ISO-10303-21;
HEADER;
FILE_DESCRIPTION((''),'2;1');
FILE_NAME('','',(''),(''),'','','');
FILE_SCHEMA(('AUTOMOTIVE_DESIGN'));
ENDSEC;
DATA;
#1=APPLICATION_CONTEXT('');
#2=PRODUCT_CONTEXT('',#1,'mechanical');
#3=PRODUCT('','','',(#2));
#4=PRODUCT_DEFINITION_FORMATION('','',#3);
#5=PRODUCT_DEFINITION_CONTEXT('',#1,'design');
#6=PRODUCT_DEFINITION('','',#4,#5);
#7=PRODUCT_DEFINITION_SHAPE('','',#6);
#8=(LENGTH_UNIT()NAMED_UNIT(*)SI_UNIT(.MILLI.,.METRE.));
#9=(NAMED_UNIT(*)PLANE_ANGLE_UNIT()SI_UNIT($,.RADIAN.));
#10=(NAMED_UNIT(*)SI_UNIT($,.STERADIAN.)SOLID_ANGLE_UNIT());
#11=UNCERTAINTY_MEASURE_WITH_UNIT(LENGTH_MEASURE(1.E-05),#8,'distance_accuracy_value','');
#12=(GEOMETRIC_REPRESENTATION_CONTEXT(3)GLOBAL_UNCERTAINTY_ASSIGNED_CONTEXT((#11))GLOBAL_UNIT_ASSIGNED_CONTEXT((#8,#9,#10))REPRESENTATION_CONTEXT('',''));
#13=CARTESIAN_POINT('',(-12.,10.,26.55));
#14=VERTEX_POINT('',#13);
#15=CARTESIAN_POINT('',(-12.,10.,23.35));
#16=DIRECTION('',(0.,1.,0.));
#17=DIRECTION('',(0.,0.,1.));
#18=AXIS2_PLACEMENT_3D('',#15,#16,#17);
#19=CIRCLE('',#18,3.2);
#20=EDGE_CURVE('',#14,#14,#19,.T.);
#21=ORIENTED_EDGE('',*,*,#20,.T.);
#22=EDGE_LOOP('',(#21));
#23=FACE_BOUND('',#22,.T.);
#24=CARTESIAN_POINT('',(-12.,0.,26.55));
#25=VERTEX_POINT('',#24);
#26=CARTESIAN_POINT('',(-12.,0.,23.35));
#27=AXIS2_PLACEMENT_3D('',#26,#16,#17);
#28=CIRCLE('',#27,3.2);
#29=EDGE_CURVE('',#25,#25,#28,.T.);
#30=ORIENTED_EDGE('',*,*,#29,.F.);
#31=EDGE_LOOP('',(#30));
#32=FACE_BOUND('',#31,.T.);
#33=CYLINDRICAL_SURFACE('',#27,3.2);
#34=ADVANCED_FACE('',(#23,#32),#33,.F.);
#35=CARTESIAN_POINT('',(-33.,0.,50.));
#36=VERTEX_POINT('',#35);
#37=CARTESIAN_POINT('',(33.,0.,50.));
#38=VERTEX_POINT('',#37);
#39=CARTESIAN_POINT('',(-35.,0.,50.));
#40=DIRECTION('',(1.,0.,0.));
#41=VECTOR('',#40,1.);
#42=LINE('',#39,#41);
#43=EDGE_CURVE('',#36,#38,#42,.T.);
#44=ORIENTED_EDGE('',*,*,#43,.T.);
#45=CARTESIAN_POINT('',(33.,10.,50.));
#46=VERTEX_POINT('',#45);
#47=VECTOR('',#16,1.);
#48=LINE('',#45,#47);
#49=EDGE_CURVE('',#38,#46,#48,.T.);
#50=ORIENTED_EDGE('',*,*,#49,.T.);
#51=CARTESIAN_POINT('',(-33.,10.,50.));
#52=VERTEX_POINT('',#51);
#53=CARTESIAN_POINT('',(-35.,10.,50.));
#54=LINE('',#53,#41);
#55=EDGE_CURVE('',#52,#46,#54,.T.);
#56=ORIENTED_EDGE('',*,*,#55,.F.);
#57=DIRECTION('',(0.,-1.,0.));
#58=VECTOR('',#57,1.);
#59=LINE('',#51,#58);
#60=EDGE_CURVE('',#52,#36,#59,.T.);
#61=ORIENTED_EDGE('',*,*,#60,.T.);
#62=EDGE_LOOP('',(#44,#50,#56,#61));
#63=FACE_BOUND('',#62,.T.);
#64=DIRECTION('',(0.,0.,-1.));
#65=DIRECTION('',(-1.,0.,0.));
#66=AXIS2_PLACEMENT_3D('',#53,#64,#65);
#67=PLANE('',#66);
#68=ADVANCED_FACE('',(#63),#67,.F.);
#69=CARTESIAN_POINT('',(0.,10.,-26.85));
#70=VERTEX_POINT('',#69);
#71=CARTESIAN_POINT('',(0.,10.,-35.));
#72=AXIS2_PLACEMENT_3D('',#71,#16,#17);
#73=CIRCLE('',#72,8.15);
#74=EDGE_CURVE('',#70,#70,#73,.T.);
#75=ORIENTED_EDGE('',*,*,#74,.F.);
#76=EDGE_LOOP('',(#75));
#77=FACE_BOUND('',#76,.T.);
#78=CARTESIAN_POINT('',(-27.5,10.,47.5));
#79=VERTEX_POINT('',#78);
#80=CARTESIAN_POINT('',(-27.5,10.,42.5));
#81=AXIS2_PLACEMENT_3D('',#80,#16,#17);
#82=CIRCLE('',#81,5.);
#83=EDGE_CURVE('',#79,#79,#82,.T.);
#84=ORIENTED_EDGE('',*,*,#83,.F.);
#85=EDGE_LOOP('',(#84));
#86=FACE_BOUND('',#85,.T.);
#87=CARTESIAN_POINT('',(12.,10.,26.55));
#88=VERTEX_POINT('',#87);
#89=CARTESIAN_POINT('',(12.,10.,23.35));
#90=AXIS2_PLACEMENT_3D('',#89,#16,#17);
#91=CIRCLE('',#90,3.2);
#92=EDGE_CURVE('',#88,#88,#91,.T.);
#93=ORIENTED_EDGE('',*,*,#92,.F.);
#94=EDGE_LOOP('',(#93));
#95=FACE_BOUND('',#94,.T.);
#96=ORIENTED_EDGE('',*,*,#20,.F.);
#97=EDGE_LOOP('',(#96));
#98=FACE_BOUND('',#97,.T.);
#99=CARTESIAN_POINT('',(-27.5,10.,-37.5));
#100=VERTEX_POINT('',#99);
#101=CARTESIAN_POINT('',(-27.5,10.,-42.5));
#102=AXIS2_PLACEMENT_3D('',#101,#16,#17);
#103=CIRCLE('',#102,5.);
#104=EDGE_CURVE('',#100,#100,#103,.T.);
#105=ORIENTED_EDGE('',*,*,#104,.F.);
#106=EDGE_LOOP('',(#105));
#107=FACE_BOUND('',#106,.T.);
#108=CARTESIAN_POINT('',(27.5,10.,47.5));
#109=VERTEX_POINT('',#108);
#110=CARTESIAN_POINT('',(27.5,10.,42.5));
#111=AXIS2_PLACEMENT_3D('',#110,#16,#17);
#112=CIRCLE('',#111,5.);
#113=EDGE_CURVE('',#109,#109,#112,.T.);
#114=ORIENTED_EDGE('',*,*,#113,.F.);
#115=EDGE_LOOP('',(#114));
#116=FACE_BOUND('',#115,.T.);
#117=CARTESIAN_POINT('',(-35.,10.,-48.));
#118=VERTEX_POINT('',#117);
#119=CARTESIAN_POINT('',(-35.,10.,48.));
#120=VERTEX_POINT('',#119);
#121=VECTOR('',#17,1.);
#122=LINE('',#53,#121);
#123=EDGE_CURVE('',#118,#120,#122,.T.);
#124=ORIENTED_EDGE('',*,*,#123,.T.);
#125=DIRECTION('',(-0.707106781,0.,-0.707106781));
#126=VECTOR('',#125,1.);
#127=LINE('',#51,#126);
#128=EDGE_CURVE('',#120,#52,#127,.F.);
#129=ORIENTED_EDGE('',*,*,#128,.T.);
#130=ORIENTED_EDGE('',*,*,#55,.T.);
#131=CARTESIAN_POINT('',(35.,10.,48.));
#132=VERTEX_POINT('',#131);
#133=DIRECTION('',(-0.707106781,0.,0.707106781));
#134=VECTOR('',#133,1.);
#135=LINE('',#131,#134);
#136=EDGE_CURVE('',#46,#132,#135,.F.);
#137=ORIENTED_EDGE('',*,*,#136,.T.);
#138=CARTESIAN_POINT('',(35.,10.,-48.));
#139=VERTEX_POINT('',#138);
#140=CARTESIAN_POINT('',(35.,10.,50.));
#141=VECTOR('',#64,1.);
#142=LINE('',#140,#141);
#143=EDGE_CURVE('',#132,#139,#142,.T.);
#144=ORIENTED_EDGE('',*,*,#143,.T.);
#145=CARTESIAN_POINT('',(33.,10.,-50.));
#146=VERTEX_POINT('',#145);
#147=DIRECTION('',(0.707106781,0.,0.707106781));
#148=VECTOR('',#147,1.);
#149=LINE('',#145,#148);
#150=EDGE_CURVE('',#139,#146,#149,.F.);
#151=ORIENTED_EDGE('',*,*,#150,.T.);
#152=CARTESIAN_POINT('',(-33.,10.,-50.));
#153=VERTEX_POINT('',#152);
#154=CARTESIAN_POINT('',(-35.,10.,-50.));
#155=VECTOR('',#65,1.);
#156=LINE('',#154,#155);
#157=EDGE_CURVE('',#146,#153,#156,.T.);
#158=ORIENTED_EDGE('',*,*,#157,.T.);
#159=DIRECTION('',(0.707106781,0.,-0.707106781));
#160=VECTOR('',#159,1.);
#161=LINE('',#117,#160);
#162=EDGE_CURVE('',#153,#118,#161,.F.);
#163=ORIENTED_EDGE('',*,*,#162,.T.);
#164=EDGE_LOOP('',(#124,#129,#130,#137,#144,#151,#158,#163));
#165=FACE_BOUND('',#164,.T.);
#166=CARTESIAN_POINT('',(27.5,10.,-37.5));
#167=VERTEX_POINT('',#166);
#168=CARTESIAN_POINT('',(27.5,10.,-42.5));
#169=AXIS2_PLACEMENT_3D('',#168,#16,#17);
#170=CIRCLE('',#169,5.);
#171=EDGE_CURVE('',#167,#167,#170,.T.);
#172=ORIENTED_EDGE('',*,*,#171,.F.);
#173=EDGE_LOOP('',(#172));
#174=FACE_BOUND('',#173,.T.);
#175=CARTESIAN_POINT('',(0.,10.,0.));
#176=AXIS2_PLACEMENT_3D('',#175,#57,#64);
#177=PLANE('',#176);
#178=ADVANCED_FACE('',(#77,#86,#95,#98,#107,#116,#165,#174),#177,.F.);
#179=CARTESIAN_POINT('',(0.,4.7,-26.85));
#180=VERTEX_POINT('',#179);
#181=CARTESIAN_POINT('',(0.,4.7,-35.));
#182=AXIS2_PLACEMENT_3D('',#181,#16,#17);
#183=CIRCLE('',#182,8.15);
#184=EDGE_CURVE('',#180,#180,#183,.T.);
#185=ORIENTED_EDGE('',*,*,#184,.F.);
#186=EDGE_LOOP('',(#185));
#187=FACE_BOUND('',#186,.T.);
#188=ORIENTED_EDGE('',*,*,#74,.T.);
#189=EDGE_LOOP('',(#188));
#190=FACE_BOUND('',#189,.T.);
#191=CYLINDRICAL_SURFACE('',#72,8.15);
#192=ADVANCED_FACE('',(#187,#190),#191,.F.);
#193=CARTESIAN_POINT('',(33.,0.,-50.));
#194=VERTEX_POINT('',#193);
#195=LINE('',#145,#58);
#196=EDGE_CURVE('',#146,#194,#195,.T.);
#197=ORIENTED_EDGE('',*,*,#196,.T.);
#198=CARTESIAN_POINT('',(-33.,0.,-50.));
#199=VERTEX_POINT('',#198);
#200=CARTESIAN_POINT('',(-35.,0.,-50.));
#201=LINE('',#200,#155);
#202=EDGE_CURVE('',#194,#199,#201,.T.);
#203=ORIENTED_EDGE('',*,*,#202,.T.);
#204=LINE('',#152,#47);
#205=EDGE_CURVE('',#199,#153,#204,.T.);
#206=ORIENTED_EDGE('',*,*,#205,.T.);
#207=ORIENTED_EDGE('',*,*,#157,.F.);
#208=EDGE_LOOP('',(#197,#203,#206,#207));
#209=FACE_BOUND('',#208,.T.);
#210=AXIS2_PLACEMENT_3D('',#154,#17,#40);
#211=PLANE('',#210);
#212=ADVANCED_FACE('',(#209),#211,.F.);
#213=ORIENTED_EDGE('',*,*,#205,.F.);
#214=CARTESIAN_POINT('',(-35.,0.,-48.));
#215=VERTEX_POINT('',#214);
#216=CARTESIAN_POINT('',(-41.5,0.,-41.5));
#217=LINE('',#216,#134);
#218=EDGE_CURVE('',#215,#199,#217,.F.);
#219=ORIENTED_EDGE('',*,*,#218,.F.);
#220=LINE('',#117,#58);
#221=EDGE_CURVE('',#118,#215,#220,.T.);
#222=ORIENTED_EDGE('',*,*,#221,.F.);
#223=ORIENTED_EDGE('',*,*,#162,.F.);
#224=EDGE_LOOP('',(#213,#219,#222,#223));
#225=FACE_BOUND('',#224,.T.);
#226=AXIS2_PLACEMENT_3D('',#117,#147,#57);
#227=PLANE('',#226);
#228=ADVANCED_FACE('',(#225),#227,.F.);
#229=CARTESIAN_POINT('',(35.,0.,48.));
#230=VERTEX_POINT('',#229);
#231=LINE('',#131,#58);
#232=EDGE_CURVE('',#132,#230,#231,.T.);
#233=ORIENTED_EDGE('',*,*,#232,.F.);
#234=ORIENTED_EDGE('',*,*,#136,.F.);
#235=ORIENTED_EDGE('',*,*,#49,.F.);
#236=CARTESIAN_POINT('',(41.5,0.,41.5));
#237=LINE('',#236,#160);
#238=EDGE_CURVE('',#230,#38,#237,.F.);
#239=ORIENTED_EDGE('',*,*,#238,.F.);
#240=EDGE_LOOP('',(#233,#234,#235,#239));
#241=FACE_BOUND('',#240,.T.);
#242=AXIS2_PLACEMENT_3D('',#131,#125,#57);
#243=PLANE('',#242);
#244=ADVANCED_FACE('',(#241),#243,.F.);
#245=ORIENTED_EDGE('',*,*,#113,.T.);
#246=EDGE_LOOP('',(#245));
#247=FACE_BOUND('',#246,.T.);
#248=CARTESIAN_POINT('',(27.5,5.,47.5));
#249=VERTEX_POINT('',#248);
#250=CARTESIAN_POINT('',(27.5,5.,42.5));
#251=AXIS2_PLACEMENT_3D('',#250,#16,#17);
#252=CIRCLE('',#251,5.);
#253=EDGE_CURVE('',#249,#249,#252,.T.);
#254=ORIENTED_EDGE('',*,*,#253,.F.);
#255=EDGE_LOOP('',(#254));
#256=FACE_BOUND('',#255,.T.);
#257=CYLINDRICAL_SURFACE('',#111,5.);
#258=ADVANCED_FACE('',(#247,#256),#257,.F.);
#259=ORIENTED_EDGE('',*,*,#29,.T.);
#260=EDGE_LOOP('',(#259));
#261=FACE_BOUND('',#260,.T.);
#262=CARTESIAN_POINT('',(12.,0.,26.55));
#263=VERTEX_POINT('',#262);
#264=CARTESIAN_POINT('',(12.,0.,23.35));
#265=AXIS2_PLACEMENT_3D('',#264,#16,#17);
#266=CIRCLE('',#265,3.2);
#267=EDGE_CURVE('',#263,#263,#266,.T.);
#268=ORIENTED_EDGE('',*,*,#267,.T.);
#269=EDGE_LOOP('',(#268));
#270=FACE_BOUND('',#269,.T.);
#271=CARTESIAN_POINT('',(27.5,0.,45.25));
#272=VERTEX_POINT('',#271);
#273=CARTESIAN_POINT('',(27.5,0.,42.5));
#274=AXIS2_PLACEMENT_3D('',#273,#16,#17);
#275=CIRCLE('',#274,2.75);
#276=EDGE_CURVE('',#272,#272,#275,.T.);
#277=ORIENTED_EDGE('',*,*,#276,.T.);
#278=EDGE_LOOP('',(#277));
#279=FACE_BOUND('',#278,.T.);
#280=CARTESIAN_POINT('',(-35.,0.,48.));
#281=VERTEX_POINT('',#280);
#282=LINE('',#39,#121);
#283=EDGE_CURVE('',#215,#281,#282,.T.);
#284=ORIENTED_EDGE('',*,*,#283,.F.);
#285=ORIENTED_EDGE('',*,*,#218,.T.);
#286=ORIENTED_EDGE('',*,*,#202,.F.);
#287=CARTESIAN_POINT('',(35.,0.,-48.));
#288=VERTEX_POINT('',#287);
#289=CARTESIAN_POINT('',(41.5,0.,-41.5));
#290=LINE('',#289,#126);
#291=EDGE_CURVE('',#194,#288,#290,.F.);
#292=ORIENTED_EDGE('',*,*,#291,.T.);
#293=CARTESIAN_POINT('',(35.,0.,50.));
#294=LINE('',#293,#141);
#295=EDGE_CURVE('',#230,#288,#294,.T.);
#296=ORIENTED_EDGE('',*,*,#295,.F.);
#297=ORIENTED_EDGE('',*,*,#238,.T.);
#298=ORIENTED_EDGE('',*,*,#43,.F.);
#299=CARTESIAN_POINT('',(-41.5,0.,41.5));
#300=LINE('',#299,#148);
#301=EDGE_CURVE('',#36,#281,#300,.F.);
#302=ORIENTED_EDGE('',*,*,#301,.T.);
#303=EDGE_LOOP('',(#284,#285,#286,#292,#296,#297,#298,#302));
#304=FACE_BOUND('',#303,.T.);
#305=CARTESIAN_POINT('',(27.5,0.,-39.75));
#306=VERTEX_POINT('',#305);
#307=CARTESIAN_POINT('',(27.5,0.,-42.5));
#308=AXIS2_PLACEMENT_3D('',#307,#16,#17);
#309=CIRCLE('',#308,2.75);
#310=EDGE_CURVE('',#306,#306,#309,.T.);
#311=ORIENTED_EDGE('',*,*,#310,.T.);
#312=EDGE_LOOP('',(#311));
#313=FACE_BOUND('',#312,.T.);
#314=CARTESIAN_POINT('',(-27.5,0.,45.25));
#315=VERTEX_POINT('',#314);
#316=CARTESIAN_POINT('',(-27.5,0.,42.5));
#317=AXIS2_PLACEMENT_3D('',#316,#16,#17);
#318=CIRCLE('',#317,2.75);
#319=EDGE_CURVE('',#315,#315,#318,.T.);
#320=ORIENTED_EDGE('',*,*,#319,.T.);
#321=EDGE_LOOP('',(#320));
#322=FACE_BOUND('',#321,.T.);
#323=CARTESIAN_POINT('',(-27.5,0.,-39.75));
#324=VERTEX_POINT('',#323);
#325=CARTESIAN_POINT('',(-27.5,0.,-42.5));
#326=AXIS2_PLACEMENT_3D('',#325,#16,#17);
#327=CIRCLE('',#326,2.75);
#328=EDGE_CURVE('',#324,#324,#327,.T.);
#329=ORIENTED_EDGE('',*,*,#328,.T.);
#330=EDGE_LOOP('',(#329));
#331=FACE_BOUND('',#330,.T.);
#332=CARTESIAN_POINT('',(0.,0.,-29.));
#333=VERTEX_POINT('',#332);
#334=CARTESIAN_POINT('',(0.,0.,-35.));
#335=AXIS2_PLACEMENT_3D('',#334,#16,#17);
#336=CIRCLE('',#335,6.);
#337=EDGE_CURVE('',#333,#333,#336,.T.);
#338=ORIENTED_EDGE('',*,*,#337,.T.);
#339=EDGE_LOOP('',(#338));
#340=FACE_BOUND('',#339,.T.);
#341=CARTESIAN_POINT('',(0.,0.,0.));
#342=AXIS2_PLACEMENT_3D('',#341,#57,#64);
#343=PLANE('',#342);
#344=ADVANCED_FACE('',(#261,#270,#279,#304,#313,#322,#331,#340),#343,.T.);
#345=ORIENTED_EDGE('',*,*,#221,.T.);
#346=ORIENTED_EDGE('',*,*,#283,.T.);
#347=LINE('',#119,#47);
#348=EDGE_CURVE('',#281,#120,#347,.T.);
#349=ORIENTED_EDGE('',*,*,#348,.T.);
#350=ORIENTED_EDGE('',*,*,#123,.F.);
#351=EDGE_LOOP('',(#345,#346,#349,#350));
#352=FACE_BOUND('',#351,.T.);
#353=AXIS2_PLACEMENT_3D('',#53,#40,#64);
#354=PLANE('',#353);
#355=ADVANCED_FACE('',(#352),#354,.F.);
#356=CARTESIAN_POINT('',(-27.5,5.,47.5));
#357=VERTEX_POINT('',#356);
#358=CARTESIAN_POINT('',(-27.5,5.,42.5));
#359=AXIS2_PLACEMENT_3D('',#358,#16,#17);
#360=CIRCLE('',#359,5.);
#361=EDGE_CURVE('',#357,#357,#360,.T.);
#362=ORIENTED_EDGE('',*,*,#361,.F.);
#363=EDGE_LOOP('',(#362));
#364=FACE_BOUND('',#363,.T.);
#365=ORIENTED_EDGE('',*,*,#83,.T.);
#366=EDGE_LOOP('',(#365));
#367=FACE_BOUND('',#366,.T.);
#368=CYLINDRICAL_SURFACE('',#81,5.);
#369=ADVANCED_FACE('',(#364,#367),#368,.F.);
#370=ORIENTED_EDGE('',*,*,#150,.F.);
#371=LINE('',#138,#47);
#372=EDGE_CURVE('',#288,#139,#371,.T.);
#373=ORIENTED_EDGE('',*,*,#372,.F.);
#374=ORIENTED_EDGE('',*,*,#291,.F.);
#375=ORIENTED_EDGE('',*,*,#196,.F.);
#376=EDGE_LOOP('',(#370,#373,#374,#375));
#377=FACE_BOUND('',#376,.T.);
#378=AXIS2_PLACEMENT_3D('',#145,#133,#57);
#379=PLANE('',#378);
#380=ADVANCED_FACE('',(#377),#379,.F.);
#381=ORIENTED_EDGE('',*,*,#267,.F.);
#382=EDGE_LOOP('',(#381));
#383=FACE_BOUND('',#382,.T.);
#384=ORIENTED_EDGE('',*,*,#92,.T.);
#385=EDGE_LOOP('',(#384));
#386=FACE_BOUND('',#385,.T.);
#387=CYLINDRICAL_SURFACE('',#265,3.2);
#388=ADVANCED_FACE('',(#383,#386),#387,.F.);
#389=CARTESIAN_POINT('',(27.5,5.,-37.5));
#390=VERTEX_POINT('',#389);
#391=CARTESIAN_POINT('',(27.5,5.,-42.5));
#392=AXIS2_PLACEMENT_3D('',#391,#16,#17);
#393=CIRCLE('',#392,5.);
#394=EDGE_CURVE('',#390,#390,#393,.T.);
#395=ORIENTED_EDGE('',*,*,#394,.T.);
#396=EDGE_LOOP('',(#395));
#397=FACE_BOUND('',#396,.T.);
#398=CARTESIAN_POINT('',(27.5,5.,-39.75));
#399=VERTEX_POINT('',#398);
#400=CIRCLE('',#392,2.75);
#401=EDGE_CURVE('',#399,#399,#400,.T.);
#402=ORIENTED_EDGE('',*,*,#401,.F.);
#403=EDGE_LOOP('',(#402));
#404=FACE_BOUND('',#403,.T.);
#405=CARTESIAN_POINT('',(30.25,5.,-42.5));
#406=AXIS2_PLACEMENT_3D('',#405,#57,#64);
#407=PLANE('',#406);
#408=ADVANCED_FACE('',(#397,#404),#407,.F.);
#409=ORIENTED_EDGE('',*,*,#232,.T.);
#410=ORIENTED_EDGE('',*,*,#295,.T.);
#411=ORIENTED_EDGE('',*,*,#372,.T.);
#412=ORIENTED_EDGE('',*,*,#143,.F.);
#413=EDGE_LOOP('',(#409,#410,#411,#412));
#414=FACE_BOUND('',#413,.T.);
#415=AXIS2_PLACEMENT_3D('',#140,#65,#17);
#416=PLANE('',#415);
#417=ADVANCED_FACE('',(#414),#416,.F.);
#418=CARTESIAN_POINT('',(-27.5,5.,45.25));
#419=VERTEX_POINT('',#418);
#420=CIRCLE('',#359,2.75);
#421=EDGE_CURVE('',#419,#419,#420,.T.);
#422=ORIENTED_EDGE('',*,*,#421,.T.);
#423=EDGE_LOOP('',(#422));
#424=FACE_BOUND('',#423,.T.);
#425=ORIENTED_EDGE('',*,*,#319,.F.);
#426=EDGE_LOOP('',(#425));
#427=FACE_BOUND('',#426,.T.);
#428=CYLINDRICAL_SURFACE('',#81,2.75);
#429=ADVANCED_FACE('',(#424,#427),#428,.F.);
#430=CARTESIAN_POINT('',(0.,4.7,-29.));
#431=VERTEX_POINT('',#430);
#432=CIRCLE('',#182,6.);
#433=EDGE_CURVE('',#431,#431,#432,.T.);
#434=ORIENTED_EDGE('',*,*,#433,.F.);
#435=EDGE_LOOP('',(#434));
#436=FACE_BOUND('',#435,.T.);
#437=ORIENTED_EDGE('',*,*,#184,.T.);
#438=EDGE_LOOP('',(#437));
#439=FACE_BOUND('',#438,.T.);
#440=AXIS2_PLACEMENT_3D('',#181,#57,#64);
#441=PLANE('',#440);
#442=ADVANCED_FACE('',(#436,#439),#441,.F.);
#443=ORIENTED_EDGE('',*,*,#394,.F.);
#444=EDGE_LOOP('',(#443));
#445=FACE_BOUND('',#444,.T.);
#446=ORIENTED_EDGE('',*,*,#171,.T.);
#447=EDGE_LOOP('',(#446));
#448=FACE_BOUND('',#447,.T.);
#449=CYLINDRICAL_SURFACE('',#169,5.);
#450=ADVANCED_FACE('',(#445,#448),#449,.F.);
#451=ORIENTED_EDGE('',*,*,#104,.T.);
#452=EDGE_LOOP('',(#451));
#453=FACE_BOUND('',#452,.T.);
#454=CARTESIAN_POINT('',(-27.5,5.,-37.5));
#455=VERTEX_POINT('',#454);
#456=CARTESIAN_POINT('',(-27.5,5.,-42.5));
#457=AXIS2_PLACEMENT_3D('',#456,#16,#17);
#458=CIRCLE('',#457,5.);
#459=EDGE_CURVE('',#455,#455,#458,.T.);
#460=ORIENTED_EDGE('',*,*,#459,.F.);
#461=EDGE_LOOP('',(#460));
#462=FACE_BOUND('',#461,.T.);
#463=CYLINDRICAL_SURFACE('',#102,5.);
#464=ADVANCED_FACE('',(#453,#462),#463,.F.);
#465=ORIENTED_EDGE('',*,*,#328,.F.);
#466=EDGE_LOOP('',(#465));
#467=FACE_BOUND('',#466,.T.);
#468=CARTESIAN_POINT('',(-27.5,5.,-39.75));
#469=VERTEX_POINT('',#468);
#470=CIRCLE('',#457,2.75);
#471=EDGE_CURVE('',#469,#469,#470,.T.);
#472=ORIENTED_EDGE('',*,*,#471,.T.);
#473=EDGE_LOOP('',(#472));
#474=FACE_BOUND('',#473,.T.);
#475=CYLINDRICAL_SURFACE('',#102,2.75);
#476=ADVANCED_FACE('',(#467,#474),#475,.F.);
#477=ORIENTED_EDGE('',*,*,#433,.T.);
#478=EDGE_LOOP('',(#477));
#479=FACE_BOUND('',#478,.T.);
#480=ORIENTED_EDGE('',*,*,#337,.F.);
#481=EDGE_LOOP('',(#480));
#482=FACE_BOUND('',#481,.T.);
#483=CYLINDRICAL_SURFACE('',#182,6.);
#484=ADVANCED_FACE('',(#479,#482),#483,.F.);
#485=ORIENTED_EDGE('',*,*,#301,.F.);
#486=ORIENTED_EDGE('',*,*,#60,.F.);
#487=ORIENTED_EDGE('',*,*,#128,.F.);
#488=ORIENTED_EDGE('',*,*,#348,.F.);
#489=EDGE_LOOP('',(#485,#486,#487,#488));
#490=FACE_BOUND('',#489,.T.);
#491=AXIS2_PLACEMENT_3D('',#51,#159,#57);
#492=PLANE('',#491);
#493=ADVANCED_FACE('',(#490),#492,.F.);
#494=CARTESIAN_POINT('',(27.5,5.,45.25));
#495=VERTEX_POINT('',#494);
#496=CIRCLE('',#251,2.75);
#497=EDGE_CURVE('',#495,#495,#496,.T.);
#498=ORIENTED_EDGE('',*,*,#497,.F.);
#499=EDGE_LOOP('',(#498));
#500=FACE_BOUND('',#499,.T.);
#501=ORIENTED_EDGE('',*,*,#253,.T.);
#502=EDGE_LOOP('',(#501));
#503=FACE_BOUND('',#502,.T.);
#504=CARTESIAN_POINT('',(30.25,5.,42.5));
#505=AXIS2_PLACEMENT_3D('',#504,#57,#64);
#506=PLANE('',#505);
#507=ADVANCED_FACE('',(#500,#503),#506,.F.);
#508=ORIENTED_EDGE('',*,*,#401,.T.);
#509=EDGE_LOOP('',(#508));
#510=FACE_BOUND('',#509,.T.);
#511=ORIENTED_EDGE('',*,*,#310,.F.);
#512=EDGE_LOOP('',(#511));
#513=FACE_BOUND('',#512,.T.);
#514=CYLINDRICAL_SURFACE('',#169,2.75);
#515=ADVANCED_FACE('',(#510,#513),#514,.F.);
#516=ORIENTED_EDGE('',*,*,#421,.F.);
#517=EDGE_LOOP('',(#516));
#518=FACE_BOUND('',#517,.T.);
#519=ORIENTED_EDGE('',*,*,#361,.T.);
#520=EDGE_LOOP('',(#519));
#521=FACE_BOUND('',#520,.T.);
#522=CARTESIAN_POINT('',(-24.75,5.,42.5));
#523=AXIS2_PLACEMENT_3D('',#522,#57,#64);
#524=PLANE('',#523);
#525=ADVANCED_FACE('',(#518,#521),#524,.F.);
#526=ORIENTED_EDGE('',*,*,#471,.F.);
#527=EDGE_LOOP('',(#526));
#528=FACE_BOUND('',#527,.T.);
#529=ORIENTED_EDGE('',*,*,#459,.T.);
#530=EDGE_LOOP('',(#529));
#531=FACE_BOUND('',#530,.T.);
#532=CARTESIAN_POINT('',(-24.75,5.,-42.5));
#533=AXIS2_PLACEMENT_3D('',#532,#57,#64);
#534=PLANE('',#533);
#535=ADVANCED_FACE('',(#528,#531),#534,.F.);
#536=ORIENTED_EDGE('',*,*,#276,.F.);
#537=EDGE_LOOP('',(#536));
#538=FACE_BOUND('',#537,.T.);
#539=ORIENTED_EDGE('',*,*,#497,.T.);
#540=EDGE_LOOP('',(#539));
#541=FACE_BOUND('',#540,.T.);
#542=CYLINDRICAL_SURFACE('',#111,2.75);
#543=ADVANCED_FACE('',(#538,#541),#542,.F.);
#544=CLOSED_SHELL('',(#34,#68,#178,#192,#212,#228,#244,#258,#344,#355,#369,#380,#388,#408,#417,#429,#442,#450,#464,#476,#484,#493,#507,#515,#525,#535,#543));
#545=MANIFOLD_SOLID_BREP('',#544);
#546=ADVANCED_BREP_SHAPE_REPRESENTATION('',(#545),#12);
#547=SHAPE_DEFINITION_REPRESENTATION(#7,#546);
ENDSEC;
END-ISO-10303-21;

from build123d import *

# Parameters (mm, degrees)
SKETCH1_W                      = 70
SKETCH1_H                      = 100
BOSS_EXTRUDE1_DEPTH            = 10
CBORE_FOR_M5_SHCS1_D           = 5.5
CBORE_FOR_M5_SHCS1_CBORE_D     = 10
CBORE_FOR_M5_SHCS1_CBORE_DEPTH = 5
F_1_0MM_DOWEL_HOLE1_D          = 16.3
F_1_0MM_DOWEL_HOLE1_DEPTH      = 5.3
F_1_0MM_DOWEL_HOLE3_D          = 12
SKETCH14_R                     = 3.2
CUT_EXTRUDE1_DEPTH             = 62.846584384
CHAMFER1_SIZE                  = 2


with BuildPart() as part:
    # Sketch1 → Boss-Extrude1 (new body)
    with BuildSketch(Plane(origin=(0, 0, 0), x_dir=(1, 0, 0), z_dir=(0, 1, 0))):
        Rectangle(SKETCH1_W, SKETCH1_H)
    extrude(amount=BOSS_EXTRUDE1_DEPTH)

    # CBORE for M5 SHCS1 (through all)
    with Locations(Plane(origin=(0, 10, 0), x_dir=(1, 0, 0), z_dir=(0, 1, 0))):
        with Locations((-27.5, -42.5), (-27.5, 42.5), (27.5, 42.5), (27.5, -42.5)):
            CounterBoreHole(CBORE_FOR_M5_SHCS1_D / 2, CBORE_FOR_M5_SHCS1_CBORE_D / 2, CBORE_FOR_M5_SHCS1_CBORE_DEPTH)

    # Ø1.0mm Dowel Hole1
    with Locations(Plane(origin=(0, 10, 0), x_dir=(1, 0, 0), z_dir=(0, 1, 0))):
        with Locations((0, 35)):
            Hole(F_1_0MM_DOWEL_HOLE1_D / 2, depth=F_1_0MM_DOWEL_HOLE1_DEPTH)

    # Ø1.0mm Dowel Hole3 (through all)
    with Locations(Plane(origin=(0, 4.7, 0), x_dir=(1, 0, 0), z_dir=(0, 1, 0))):
        with Locations((0, 35)):
            Hole(F_1_0MM_DOWEL_HOLE3_D / 2)

    # Sketch14 → Cut-Extrude1 (cut, through all)
    with BuildSketch(Plane(origin=(0, 10, 0), x_dir=(1, 0, 0), z_dir=(0, 1, 0))):
        with Locations(Location((12, -23.35, 0), (0, 0, 270))):
            Circle(SKETCH14_R)
        with Locations(Location((-12, -23.35, 0), (0, 0, 270))):
            Circle(SKETCH14_R)
    extrude(amount=-CUT_EXTRUDE1_DEPTH, mode=Mode.SUBTRACT)

    # Chamfer1
    chamfer1_edges = [part.edges().sort_by_distance(p)[0] for p in [
        (35, 5, 50),
        (-35, 5, 50),
        (-35, 5, -50),
        (35, 5, -50),
    ]]
    chamfer(chamfer1_edges, length=CHAMFER1_SIZE)


solid = part.part
